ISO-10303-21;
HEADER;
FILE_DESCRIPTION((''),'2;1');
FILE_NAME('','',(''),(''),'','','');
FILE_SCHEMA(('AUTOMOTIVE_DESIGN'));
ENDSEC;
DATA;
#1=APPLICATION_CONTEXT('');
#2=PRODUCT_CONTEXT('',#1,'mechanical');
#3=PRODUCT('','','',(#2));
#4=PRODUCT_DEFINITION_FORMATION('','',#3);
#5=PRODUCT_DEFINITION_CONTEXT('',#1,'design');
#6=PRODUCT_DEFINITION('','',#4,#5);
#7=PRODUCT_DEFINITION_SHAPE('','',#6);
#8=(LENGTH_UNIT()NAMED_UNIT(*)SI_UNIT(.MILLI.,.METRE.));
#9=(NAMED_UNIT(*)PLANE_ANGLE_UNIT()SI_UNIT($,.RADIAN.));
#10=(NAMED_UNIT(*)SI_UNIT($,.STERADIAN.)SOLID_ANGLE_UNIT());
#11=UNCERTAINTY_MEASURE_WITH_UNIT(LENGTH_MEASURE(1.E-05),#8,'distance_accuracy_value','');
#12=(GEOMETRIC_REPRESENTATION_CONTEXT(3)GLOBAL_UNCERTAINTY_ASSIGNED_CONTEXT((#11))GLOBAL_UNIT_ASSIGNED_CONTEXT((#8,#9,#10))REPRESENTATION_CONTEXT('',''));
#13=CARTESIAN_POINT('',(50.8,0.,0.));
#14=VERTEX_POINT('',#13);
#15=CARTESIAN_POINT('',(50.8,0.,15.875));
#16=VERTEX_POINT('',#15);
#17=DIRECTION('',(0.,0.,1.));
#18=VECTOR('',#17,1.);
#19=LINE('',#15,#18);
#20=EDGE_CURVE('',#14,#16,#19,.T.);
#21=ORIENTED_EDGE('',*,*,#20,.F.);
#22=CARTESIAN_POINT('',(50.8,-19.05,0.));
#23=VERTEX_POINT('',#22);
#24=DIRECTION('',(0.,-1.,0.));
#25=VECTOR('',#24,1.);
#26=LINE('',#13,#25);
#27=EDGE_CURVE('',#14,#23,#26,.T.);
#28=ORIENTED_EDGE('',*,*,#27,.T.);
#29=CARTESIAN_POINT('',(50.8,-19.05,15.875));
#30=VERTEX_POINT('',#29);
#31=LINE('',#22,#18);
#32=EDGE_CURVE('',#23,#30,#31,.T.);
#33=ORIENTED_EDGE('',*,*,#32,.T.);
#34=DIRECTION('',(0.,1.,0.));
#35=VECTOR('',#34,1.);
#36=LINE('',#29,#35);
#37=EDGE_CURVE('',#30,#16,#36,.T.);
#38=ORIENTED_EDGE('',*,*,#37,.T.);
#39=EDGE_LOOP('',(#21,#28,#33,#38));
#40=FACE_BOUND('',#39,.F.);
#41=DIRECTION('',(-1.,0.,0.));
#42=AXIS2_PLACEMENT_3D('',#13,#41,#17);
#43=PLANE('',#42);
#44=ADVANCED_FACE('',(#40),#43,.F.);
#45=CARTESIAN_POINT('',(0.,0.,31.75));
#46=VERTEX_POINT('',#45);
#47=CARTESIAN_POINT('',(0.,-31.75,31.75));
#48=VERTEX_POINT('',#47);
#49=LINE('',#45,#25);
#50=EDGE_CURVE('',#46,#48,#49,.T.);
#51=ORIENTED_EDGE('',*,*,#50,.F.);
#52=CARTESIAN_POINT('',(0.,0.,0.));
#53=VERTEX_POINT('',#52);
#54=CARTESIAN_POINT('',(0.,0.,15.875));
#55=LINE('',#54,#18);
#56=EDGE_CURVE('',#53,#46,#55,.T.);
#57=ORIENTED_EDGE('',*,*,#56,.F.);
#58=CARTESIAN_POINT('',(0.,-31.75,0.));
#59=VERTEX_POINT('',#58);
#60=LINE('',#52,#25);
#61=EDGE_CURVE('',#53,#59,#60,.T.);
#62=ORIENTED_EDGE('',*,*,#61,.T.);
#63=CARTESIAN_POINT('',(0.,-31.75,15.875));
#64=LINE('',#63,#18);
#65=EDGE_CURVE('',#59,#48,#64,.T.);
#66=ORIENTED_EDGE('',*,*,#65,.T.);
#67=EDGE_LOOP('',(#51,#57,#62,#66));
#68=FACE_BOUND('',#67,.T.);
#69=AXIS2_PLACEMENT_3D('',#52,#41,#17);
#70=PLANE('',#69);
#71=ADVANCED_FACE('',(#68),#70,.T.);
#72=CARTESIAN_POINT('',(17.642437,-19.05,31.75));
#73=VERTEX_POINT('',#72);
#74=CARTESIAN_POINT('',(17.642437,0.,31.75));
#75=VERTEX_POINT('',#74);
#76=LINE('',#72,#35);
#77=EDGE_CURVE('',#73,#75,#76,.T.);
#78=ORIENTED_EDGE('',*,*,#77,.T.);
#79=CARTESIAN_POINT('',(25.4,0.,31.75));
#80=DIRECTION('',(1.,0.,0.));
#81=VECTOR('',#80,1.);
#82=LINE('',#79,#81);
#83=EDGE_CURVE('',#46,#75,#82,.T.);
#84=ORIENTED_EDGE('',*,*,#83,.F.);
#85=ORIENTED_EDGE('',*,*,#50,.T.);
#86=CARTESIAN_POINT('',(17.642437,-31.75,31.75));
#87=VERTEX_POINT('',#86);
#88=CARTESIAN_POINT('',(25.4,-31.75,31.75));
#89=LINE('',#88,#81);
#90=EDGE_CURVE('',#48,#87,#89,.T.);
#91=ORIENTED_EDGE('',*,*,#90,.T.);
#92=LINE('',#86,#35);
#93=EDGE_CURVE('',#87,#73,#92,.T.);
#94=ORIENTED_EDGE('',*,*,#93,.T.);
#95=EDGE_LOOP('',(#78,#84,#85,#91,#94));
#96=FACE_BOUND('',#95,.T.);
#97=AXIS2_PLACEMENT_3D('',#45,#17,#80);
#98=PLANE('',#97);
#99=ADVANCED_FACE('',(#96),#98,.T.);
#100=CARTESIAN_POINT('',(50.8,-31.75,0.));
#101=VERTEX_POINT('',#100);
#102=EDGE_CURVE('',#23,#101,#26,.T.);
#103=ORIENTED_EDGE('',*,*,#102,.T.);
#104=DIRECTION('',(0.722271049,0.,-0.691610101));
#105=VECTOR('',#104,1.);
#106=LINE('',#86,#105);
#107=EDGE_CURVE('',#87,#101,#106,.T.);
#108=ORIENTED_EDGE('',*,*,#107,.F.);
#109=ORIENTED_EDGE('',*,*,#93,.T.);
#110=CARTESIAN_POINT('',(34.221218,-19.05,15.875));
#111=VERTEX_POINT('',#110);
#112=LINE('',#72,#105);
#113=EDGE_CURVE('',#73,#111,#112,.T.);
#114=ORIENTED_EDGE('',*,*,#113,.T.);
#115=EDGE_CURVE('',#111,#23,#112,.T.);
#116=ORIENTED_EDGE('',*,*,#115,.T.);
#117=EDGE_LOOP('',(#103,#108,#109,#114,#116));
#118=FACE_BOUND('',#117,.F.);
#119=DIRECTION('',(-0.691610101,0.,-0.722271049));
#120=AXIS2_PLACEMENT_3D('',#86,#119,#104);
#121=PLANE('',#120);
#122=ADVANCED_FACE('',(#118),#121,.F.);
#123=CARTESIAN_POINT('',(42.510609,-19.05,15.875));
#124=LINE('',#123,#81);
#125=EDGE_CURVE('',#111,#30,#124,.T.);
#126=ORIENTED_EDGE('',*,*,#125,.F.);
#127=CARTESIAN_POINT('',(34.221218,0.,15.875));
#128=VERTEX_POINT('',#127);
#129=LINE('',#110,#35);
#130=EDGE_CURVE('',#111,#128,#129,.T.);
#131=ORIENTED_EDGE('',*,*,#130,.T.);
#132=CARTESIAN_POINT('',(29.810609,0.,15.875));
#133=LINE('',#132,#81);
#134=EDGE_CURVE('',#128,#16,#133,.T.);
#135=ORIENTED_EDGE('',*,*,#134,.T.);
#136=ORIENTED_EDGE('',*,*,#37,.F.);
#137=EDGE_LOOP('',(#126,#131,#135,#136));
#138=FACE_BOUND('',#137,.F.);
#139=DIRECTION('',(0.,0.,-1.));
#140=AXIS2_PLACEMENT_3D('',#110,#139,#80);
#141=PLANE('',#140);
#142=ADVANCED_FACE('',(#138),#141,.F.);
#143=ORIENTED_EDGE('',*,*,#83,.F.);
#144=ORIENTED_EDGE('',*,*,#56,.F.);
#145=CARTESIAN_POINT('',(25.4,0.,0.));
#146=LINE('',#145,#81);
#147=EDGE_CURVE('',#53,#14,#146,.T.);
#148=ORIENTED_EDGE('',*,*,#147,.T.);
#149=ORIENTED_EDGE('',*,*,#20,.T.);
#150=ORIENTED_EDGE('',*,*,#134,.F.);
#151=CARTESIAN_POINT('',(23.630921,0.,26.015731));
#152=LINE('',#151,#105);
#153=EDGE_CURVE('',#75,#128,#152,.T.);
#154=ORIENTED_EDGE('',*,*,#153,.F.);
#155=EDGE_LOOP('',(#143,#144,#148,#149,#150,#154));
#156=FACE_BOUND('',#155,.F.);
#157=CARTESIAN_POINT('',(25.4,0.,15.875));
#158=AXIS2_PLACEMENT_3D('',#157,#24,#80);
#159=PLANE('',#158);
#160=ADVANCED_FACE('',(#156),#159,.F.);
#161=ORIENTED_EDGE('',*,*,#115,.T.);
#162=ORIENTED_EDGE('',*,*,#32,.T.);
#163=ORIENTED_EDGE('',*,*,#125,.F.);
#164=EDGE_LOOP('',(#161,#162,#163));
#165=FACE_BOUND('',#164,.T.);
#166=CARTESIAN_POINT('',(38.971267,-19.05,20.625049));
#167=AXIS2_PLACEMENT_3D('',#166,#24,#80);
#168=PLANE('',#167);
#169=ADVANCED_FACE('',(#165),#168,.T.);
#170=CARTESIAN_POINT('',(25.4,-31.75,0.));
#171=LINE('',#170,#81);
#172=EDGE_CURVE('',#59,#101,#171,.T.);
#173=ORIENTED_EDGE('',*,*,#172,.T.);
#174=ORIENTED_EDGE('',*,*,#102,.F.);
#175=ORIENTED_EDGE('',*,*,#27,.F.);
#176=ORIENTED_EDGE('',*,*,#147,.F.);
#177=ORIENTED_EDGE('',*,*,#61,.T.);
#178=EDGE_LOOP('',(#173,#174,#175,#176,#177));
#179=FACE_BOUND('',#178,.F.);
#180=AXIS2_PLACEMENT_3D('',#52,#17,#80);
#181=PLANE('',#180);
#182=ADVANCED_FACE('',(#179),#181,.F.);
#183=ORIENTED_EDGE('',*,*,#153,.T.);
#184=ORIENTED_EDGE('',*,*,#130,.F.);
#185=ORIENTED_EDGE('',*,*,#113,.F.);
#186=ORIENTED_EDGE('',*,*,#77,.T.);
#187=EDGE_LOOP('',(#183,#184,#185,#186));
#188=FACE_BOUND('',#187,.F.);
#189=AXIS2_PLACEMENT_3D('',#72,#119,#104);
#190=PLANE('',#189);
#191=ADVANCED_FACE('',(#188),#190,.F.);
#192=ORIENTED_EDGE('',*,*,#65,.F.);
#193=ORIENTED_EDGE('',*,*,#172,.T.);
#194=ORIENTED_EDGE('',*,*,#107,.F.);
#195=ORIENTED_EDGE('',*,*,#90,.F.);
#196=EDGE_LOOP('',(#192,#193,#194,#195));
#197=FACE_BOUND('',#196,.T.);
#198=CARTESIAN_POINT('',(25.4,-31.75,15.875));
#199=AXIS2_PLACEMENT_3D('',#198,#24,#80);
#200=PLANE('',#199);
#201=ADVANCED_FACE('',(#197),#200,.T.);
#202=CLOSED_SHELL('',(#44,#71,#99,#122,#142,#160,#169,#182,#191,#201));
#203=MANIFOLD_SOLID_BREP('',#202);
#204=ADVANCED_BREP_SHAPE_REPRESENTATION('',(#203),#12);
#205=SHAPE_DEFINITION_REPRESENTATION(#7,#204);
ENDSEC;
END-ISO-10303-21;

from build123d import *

# Parameters (mm, degrees)
F0_W     = 50.8
F0_H     = 31.75
F1_DEPTH = 31.75
F3_DEPTH = 12.7
F5_DEPTH = 25.4
F6_W     = 16.5787817255
F6_H     = 7.9375
F7_DEPTH = 25.4
F8_W     = 16.5787817255
F8_H     = 7.9375
F9_DEPTH = 25.4


with BuildPart() as f1:
    # F0 (on Front) → F1 (new body)
    with BuildSketch(Plane.XZ):
        with Locations((25.4, 15.875)):
            Rectangle(F0_W, F0_H)
    extrude(amount=F1_DEPTH)

    # F2 (on face) → F3 (cut)
    with BuildSketch(Plane.XZ.offset(31.75)):
        Polygon((50.8, 31.75), (17.6424365491, 31.75), (50.8, 0), align=None)
    extrude(amount=-F3_DEPTH, mode=Mode.SUBTRACT)

    # F4 (on face) → F5 (cut)
    with BuildSketch(Plane.XZ.offset(19.05)):
        Polygon((17.6424365491, 31.75), (34.2212182745, 15.875), (34.2212182745, 31.75), align=None)
    extrude(amount=-F5_DEPTH, mode=Mode.SUBTRACT)

    # F6 (on face) → F7 (cut)
    with BuildSketch(Plane.XZ.offset(19.05)):
        with Locations((42.5106091373, 27.78125)):
            Rectangle(F6_W, F6_H)
    extrude(amount=-F7_DEPTH, mode=Mode.SUBTRACT)

    # F8 (on face) → F9 (cut)
    with BuildSketch(Plane.XZ.offset(19.05)):
        with Locations((42.5106091373, 19.84375)):
            Rectangle(F8_W, F8_H)
    extrude(amount=-F9_DEPTH, mode=Mode.SUBTRACT)


solid = f1.part
